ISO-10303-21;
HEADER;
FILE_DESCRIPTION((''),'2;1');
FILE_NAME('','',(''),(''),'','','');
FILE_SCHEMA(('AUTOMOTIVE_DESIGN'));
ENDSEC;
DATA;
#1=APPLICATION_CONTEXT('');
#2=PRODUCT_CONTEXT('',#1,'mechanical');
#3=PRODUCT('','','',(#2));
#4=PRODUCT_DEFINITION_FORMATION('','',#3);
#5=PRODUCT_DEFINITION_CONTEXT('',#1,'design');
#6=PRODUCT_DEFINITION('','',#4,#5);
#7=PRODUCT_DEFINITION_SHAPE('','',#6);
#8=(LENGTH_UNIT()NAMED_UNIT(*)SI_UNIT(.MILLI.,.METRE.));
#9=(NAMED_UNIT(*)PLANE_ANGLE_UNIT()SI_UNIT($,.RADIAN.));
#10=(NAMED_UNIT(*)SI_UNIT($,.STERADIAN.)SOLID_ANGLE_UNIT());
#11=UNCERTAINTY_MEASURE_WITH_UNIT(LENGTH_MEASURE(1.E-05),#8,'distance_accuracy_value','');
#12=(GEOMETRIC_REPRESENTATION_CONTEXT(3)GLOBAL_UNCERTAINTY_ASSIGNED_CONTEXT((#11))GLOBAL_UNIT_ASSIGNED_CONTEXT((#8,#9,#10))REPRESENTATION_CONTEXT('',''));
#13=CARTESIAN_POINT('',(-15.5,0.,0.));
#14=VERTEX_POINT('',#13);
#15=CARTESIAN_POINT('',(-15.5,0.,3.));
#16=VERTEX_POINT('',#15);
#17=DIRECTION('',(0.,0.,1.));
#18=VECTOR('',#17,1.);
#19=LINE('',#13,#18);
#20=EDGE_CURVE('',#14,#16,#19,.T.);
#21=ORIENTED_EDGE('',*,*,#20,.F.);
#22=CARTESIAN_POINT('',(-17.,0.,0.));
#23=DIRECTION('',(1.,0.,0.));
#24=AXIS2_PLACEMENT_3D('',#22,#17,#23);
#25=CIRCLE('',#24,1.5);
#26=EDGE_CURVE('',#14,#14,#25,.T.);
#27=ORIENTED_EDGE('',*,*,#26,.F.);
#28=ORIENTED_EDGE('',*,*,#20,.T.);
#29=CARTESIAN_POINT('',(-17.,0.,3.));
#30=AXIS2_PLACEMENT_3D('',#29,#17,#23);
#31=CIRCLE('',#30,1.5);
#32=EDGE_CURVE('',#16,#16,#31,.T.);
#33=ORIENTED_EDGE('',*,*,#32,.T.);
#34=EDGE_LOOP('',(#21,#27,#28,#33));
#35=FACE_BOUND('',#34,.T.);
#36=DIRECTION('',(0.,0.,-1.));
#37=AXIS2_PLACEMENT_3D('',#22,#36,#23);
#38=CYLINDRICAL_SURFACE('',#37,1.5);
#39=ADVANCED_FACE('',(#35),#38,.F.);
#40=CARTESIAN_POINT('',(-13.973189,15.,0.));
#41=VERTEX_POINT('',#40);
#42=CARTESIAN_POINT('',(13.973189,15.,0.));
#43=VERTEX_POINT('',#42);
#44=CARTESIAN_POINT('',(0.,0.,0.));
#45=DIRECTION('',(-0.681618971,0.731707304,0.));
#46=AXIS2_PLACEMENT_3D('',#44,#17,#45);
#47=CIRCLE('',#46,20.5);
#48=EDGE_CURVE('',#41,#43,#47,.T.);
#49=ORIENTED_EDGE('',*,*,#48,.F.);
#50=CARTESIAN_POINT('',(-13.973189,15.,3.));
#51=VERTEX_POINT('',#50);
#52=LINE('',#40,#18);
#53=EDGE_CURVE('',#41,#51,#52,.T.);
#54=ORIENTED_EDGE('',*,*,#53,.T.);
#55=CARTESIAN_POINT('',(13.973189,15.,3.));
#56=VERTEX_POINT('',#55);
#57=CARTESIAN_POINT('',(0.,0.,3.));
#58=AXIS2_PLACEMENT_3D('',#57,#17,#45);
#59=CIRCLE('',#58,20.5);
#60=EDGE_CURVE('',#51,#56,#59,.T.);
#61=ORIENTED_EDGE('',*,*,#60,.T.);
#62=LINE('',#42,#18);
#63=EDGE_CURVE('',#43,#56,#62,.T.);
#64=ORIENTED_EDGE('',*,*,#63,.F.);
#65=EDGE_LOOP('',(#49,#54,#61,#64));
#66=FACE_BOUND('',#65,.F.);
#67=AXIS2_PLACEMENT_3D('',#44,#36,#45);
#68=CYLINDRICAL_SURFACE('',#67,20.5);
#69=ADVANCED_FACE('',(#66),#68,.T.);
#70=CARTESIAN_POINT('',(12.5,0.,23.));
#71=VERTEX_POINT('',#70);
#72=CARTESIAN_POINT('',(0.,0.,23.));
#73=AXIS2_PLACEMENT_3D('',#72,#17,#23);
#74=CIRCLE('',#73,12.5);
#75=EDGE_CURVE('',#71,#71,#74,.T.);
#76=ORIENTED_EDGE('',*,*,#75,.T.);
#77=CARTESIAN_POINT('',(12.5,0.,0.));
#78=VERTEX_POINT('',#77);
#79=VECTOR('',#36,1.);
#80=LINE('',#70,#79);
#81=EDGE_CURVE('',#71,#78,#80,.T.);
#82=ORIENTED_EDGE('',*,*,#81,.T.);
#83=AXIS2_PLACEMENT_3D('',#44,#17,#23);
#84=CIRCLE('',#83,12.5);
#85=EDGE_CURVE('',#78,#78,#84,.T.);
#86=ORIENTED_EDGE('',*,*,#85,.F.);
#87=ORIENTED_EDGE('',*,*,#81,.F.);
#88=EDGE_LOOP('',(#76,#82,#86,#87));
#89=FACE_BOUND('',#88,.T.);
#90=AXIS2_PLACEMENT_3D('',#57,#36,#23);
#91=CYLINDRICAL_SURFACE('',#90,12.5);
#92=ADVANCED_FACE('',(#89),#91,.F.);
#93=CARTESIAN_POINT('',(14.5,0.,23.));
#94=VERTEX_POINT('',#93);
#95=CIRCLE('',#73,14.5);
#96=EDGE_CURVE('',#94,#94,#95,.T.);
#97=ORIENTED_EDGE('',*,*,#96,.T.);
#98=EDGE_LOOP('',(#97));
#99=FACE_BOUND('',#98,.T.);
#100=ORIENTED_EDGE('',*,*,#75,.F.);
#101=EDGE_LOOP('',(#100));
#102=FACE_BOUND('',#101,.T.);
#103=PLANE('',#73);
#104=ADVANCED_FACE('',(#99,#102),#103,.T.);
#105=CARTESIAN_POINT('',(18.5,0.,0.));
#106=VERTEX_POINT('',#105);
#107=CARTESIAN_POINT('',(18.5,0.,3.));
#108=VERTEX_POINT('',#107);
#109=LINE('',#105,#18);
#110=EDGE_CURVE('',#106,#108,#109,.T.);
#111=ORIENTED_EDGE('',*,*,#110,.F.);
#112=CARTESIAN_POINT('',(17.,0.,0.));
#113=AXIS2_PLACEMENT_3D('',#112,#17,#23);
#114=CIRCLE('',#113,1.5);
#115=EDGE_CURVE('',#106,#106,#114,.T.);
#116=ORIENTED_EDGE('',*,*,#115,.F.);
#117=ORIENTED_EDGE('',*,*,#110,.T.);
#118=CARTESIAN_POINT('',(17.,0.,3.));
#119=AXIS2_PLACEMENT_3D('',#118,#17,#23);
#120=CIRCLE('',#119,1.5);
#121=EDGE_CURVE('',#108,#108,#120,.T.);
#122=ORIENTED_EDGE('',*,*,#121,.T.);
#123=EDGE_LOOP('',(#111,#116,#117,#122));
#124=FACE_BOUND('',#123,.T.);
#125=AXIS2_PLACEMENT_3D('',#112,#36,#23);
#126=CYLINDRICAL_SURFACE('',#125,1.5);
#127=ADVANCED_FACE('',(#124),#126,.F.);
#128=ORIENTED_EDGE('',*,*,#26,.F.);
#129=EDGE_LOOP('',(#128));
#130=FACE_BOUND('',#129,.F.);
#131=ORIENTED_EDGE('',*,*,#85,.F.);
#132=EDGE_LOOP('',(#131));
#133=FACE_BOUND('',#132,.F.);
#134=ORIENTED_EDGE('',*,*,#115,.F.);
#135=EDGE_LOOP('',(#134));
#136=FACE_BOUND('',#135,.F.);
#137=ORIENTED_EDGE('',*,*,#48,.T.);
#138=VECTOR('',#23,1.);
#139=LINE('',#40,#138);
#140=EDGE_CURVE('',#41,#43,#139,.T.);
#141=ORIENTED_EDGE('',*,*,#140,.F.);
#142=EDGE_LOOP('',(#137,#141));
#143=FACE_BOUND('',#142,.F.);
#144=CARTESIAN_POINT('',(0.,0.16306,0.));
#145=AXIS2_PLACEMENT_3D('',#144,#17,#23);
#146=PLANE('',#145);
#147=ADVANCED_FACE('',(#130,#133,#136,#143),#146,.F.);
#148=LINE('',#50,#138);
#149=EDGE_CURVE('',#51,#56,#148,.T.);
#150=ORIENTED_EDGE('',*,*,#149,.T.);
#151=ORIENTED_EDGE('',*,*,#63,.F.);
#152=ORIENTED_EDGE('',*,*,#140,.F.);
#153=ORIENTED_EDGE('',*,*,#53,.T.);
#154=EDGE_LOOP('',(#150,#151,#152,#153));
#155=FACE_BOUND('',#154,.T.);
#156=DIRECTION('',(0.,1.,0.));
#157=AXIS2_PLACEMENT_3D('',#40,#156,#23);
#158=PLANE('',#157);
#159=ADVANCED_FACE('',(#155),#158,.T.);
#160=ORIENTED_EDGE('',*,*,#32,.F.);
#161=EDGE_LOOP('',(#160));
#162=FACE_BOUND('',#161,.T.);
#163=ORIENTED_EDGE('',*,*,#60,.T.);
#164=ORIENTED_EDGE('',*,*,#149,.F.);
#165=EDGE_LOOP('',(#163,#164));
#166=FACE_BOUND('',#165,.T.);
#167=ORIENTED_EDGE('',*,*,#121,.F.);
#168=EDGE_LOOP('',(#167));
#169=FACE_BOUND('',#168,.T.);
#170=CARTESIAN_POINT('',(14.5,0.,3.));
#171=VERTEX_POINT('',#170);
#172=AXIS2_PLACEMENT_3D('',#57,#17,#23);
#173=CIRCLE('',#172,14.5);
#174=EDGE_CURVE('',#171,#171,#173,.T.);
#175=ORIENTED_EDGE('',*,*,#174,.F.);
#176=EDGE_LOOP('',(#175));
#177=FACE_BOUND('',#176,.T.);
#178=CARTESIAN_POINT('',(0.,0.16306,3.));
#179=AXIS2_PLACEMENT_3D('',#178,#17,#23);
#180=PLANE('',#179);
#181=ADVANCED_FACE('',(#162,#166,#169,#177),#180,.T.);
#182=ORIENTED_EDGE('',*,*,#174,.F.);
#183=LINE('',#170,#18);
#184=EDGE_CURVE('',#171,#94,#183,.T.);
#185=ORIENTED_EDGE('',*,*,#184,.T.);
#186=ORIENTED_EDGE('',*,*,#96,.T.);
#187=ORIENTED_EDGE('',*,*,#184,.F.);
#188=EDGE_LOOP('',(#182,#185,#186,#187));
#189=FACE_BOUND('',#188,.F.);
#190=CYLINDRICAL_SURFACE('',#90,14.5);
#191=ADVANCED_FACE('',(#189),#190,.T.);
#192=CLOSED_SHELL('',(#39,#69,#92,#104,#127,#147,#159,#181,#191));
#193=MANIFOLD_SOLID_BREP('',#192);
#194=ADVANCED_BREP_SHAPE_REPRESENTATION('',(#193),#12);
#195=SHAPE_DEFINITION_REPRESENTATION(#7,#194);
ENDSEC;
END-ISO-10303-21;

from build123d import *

# Parameters (mm, degrees)
SKETCH_R      = 12.5
SKETCH_R_2    = 1.5
PAD_DEPTH     = 3
SKETCH001_R   = 14.5
SKETCH001_R_2 = 12.5
PAD001_DEPTH  = 20


with BuildPart() as part:
    # Sketch → Pad (new body)
    with BuildSketch(Plane.XY):
        with BuildLine():
            ThreePointArc((-13.973189, 15), (0, -20.5), (13.973189, 15))
            Line((-13.973189, 15), (13.973189, 15))
        make_face()
        Circle(SKETCH_R, mode=Mode.SUBTRACT)
        with Locations((-17, 0)):
            Circle(SKETCH_R_2, mode=Mode.SUBTRACT)
        with Locations((17, 0)):
            Circle(SKETCH_R_2, mode=Mode.SUBTRACT)
    extrude(amount=PAD_DEPTH)

    # Sketch001 → Pad001 (new body)
    with BuildSketch(Plane.XY.offset(3)):
        Circle(SKETCH001_R)
        Circle(SKETCH001_R_2, mode=Mode.SUBTRACT)
    extrude(amount=PAD001_DEPTH)


solid = part.part
